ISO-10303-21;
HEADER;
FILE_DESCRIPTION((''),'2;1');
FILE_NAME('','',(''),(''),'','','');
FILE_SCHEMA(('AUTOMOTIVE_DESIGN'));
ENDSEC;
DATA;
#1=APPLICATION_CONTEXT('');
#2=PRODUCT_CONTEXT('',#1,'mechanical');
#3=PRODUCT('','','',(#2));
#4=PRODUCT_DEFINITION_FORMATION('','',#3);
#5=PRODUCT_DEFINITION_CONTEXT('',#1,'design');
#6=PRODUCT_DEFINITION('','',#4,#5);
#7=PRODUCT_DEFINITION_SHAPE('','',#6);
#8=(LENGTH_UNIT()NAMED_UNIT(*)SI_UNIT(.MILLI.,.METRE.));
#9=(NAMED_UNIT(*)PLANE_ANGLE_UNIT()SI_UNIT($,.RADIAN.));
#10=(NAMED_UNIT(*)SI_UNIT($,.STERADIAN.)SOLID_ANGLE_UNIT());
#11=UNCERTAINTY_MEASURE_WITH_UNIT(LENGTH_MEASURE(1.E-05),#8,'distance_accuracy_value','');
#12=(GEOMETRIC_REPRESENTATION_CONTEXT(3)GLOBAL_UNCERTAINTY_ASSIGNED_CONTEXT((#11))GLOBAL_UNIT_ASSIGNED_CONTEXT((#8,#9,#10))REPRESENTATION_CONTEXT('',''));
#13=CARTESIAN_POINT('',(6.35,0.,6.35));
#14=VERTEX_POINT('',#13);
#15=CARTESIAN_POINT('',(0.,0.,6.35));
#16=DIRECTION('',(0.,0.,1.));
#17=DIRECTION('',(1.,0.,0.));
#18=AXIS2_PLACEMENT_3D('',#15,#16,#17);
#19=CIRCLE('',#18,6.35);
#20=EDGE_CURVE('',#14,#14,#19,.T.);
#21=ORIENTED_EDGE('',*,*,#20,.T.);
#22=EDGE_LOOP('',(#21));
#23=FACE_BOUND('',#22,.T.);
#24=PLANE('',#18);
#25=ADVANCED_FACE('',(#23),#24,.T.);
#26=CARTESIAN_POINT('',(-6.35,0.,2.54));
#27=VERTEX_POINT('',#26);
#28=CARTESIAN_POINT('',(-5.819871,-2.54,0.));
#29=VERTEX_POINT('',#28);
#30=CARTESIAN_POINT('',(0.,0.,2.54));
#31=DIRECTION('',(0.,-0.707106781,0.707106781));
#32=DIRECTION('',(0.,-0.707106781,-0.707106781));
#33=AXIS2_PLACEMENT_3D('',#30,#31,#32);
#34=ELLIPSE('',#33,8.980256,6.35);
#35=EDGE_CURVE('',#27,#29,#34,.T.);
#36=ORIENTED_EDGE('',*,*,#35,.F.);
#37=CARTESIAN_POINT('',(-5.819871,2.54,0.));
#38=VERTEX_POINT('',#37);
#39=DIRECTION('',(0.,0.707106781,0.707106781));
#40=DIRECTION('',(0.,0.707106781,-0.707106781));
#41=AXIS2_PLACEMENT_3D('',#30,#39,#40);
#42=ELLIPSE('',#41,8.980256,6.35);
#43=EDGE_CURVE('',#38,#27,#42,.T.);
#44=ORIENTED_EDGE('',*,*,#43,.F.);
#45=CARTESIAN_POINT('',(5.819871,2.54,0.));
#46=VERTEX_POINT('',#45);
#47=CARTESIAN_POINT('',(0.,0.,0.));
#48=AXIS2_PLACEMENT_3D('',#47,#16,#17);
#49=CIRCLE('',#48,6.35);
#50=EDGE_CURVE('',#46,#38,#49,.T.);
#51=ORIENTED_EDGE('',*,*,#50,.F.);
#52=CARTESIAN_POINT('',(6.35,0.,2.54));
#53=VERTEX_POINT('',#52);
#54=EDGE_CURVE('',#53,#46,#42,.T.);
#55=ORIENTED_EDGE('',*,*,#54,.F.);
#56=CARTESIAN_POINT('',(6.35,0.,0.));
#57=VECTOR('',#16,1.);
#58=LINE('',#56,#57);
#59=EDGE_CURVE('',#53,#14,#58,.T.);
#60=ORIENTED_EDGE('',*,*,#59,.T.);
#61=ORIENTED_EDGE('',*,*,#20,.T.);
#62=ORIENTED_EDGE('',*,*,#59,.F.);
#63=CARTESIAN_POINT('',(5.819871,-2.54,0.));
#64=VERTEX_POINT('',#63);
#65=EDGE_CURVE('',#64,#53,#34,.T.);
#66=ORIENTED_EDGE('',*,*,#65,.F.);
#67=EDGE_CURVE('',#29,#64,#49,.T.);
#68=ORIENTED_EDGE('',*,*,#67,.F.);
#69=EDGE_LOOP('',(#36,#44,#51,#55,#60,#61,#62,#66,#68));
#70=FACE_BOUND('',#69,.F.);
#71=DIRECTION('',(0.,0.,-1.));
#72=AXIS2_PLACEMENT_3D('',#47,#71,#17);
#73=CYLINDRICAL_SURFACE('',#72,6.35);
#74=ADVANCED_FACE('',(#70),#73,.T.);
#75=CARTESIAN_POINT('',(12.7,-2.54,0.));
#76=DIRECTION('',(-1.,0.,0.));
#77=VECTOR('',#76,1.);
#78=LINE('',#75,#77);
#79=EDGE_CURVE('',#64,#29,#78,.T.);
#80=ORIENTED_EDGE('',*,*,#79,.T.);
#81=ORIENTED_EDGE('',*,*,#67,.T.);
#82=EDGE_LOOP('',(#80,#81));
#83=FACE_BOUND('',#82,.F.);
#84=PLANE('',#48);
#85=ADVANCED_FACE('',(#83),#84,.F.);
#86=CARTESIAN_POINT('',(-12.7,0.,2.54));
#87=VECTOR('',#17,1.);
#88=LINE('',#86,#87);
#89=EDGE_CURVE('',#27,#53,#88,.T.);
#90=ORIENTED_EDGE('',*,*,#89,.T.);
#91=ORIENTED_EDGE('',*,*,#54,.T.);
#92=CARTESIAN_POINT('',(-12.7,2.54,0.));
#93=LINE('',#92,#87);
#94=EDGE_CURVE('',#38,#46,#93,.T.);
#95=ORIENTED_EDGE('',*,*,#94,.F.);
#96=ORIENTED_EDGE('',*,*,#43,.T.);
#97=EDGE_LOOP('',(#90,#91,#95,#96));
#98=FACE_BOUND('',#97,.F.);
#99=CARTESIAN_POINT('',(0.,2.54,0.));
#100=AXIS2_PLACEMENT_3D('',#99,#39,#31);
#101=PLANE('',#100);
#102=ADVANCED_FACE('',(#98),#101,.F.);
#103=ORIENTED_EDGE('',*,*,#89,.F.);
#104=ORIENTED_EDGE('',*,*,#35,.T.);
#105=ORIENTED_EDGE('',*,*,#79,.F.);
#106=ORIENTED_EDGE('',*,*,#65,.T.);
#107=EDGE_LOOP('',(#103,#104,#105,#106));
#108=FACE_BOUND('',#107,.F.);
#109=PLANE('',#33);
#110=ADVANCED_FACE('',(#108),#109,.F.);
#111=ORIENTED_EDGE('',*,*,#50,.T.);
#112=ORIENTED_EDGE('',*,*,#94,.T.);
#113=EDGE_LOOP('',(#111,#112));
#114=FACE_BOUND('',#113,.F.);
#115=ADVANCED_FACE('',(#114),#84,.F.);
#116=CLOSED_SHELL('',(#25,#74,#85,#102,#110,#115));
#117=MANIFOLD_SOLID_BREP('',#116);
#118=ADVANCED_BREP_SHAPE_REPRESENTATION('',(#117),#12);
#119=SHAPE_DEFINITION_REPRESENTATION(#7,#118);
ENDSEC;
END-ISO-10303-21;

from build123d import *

# Parameters (mm, degrees)
F0_R     = 6.35
F1_DEPTH = 6.35
F2_R     = 1.27
F7_DEPTH = 12.7


with BuildPart() as f1:
    # F0 (on Top) → F1 (new body)
    with BuildSketch(Plane.XY):
        Circle(F0_R)
    extrude(amount=F1_DEPTH)

    # F2 (on Top) → F5 section 0
    with BuildSketch(Plane.XY, mode=Mode.PRIVATE) as f5_s0:
        Circle(F2_R)
    loft([Vertex(0, 0, -2.54), f5_s0.sketch], mode=Mode.SUBTRACT)

    # F6 (on Right) → F7 (cut, symmetric)
    with BuildSketch(Plane.YZ):
        Polygon((0, -2.54), (2.54, 0), (0, 2.54), (-2.54, 0), align=None)
    extrude(amount=F7_DEPTH, both=True, mode=Mode.SUBTRACT)


solid = f1.part
